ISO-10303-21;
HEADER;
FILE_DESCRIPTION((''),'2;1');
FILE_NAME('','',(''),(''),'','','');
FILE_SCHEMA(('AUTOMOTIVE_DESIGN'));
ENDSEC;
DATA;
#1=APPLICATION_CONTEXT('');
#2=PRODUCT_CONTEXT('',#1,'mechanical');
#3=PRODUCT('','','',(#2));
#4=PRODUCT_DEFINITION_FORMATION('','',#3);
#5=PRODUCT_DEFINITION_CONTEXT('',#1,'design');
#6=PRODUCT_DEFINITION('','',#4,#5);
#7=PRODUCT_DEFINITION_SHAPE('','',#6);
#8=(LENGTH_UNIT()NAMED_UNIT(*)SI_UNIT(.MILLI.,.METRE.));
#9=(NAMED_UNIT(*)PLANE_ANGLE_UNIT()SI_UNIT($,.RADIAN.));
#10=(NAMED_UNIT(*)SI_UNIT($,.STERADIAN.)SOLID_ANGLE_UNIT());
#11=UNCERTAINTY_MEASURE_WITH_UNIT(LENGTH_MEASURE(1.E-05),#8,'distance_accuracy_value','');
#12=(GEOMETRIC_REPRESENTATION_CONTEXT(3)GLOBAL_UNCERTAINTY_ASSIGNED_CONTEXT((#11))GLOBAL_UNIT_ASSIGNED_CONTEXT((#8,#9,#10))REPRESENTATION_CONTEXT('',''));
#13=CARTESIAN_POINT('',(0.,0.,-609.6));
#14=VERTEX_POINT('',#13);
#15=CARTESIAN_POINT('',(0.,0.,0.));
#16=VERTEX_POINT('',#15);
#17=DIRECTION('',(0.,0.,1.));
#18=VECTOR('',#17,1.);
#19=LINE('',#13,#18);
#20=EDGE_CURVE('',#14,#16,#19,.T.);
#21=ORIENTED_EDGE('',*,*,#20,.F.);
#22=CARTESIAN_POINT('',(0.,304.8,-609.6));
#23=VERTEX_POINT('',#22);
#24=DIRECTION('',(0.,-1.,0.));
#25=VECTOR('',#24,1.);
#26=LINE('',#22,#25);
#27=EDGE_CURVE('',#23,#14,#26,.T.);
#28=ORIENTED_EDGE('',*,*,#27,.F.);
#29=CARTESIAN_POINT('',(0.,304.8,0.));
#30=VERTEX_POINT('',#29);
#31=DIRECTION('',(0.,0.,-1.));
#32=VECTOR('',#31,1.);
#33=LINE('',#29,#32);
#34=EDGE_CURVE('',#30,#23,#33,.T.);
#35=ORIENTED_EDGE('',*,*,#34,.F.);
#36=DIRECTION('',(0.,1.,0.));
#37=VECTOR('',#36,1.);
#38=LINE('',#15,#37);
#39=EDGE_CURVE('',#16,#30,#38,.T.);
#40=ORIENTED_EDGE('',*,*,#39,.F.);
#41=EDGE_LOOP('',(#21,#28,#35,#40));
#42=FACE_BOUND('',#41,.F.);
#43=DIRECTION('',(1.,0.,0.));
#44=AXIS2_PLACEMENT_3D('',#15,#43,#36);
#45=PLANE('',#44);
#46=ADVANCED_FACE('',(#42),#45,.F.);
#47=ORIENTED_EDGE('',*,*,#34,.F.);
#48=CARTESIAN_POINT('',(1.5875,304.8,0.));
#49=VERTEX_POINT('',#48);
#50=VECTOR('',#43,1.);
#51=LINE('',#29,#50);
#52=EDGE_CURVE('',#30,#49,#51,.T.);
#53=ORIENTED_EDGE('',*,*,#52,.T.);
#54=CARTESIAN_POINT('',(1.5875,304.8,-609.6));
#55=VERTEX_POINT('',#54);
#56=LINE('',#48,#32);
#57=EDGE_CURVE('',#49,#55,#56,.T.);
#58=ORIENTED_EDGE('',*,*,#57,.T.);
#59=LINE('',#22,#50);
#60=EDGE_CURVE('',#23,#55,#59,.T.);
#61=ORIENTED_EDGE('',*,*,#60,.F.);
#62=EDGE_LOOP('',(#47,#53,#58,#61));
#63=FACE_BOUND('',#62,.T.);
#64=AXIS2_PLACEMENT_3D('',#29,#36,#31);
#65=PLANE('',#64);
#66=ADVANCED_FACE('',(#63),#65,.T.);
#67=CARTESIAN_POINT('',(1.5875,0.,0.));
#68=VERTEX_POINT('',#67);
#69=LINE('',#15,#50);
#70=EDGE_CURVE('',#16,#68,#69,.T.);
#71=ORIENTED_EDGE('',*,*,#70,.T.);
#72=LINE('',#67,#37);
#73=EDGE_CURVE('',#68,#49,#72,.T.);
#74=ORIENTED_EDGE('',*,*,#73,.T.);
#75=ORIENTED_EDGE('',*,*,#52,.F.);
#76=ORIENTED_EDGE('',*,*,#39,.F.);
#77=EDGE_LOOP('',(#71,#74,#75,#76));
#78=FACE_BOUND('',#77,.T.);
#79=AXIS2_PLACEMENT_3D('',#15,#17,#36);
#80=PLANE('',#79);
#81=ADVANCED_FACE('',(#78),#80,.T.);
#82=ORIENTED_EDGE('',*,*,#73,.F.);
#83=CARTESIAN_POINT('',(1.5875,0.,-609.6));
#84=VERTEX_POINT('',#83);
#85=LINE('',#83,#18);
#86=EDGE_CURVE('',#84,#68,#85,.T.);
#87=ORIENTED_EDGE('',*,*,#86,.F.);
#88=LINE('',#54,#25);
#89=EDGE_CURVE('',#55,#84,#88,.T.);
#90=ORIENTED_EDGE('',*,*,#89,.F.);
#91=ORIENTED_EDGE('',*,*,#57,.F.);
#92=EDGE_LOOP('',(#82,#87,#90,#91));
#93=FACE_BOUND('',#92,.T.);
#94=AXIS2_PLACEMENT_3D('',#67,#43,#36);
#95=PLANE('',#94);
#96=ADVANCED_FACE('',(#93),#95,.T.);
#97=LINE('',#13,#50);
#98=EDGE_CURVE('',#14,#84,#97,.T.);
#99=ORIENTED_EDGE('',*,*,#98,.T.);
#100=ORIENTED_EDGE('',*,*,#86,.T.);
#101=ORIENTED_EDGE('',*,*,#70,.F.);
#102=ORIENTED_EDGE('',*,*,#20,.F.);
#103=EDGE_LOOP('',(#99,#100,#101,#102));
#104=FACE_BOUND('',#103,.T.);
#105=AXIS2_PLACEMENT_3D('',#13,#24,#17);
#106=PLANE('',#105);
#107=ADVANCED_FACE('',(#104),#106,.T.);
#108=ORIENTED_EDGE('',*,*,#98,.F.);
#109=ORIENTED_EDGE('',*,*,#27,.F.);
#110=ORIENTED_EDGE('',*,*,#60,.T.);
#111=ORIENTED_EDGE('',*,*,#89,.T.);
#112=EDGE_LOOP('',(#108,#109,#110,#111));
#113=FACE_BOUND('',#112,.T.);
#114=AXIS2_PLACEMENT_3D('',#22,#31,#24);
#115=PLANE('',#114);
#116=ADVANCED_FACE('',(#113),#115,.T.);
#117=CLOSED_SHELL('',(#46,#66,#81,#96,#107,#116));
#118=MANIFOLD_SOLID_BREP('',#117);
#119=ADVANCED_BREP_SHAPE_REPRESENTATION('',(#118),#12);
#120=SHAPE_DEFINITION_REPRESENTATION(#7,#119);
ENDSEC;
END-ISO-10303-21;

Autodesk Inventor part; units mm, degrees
ref_plane "YZ Plane" through (0, 0, 0) normal (1, 0, 0) x (0, 1, 0)
ref_plane "XZ Plane" through (0, 0, 0) normal (0, 1, 0) x (-1, 0, 0)
ref_plane "XY Plane" through (0, 0, 0) normal (0, 0, 1) x (1, 0, 0)
sketch "Sketch1" plane through (0, 0, 0) normal (1, 0, 0) x (0, 1, 0)
  line L0 (0, 0) -> (304.8, 0)
  line L1 (304.8, 0) -> (304.8, -609.6)
  line L2 (304.8, -609.6) -> (0, -609.6)
  line L3 (0, -609.6) -> (0, 0)
  dimension "d0" = 304.8
  dimension "d1" = 609.6
extrude "Extrusion1" add sketch "Sketch1" along normal blind 1.5875
properties part number "Test"
